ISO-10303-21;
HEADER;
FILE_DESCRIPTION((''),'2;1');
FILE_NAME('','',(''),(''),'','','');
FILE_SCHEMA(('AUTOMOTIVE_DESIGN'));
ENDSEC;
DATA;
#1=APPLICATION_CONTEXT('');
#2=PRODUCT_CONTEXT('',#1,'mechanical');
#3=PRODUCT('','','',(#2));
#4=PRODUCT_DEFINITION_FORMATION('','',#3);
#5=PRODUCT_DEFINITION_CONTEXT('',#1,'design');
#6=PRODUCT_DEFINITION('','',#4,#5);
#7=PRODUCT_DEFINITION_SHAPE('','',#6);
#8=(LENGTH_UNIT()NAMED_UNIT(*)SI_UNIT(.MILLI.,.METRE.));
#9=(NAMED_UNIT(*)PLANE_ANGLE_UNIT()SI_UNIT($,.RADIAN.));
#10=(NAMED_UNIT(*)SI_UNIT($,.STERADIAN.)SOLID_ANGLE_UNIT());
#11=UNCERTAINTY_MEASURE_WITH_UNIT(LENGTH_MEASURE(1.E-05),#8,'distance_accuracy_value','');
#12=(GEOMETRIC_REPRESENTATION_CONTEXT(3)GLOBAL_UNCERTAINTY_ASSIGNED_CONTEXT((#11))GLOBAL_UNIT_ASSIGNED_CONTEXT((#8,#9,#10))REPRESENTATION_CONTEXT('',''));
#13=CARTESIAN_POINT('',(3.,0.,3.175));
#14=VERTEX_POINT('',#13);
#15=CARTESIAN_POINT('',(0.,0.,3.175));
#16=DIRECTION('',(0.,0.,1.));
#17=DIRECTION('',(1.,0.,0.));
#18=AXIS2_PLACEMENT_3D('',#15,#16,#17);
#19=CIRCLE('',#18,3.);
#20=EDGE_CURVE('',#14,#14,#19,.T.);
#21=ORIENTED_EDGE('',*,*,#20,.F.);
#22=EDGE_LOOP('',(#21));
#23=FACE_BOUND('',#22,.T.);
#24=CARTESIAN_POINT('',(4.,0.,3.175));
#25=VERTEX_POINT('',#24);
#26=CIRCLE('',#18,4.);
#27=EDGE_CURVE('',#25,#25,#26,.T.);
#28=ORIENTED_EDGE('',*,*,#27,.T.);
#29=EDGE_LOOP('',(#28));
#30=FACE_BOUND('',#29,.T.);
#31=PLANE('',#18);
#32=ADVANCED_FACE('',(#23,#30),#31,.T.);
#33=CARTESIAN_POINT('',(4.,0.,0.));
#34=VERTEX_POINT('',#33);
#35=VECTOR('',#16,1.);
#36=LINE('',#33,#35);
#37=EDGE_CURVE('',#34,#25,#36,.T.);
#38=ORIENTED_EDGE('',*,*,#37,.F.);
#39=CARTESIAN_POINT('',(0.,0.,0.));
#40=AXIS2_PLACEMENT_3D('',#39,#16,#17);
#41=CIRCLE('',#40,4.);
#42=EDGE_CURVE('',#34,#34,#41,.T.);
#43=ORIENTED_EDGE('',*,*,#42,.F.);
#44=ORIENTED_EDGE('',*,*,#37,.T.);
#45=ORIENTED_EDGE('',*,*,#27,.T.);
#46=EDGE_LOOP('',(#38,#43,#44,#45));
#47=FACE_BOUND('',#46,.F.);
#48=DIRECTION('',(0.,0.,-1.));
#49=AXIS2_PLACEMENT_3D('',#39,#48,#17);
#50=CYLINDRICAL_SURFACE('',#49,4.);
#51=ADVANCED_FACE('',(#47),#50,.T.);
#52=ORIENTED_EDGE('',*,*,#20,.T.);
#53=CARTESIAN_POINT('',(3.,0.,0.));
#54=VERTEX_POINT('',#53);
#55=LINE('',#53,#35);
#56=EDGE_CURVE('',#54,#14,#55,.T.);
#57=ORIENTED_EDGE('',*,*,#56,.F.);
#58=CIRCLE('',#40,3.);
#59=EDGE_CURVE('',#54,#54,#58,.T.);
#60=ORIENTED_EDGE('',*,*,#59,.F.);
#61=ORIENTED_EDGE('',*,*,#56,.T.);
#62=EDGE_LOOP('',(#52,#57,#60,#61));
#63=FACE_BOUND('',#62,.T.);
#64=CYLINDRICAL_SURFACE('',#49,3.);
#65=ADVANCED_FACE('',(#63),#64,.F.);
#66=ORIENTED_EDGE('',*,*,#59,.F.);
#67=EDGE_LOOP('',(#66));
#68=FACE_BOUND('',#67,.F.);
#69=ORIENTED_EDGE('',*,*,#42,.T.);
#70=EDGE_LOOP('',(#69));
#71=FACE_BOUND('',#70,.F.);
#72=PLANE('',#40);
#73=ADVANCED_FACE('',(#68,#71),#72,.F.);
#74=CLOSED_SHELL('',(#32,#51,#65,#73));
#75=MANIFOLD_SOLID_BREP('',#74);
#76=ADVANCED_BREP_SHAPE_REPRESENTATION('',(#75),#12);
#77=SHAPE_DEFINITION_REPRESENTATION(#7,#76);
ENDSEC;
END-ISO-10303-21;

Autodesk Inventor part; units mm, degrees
ref_plane "YZ Plane" through (0, 0, 0) normal (1, 0, 0) x (0, 1, 0)
ref_plane "XZ Plane" through (0, 0, 0) normal (0, 1, 0) x (-1, 0, 0)
ref_plane "XY Plane" through (0, 0, 0) normal (0, 0, 1) x (1, 0, 0)
sketch "Sketch1" plane through (0, 0, 0) normal (0, 0, 1) x (1, 0, 0)
  circle A0 centre (0, 0) radius 3
  circle A1 centre (0, 0) radius 4
  dimension "d0" = 6
  dimension "d1" = 8
extrude "Extrusion1" add sketch "Sketch1" along normal blind 3.175
properties part number ".125in Nylon Spacer" material "Nylon 6/6"
